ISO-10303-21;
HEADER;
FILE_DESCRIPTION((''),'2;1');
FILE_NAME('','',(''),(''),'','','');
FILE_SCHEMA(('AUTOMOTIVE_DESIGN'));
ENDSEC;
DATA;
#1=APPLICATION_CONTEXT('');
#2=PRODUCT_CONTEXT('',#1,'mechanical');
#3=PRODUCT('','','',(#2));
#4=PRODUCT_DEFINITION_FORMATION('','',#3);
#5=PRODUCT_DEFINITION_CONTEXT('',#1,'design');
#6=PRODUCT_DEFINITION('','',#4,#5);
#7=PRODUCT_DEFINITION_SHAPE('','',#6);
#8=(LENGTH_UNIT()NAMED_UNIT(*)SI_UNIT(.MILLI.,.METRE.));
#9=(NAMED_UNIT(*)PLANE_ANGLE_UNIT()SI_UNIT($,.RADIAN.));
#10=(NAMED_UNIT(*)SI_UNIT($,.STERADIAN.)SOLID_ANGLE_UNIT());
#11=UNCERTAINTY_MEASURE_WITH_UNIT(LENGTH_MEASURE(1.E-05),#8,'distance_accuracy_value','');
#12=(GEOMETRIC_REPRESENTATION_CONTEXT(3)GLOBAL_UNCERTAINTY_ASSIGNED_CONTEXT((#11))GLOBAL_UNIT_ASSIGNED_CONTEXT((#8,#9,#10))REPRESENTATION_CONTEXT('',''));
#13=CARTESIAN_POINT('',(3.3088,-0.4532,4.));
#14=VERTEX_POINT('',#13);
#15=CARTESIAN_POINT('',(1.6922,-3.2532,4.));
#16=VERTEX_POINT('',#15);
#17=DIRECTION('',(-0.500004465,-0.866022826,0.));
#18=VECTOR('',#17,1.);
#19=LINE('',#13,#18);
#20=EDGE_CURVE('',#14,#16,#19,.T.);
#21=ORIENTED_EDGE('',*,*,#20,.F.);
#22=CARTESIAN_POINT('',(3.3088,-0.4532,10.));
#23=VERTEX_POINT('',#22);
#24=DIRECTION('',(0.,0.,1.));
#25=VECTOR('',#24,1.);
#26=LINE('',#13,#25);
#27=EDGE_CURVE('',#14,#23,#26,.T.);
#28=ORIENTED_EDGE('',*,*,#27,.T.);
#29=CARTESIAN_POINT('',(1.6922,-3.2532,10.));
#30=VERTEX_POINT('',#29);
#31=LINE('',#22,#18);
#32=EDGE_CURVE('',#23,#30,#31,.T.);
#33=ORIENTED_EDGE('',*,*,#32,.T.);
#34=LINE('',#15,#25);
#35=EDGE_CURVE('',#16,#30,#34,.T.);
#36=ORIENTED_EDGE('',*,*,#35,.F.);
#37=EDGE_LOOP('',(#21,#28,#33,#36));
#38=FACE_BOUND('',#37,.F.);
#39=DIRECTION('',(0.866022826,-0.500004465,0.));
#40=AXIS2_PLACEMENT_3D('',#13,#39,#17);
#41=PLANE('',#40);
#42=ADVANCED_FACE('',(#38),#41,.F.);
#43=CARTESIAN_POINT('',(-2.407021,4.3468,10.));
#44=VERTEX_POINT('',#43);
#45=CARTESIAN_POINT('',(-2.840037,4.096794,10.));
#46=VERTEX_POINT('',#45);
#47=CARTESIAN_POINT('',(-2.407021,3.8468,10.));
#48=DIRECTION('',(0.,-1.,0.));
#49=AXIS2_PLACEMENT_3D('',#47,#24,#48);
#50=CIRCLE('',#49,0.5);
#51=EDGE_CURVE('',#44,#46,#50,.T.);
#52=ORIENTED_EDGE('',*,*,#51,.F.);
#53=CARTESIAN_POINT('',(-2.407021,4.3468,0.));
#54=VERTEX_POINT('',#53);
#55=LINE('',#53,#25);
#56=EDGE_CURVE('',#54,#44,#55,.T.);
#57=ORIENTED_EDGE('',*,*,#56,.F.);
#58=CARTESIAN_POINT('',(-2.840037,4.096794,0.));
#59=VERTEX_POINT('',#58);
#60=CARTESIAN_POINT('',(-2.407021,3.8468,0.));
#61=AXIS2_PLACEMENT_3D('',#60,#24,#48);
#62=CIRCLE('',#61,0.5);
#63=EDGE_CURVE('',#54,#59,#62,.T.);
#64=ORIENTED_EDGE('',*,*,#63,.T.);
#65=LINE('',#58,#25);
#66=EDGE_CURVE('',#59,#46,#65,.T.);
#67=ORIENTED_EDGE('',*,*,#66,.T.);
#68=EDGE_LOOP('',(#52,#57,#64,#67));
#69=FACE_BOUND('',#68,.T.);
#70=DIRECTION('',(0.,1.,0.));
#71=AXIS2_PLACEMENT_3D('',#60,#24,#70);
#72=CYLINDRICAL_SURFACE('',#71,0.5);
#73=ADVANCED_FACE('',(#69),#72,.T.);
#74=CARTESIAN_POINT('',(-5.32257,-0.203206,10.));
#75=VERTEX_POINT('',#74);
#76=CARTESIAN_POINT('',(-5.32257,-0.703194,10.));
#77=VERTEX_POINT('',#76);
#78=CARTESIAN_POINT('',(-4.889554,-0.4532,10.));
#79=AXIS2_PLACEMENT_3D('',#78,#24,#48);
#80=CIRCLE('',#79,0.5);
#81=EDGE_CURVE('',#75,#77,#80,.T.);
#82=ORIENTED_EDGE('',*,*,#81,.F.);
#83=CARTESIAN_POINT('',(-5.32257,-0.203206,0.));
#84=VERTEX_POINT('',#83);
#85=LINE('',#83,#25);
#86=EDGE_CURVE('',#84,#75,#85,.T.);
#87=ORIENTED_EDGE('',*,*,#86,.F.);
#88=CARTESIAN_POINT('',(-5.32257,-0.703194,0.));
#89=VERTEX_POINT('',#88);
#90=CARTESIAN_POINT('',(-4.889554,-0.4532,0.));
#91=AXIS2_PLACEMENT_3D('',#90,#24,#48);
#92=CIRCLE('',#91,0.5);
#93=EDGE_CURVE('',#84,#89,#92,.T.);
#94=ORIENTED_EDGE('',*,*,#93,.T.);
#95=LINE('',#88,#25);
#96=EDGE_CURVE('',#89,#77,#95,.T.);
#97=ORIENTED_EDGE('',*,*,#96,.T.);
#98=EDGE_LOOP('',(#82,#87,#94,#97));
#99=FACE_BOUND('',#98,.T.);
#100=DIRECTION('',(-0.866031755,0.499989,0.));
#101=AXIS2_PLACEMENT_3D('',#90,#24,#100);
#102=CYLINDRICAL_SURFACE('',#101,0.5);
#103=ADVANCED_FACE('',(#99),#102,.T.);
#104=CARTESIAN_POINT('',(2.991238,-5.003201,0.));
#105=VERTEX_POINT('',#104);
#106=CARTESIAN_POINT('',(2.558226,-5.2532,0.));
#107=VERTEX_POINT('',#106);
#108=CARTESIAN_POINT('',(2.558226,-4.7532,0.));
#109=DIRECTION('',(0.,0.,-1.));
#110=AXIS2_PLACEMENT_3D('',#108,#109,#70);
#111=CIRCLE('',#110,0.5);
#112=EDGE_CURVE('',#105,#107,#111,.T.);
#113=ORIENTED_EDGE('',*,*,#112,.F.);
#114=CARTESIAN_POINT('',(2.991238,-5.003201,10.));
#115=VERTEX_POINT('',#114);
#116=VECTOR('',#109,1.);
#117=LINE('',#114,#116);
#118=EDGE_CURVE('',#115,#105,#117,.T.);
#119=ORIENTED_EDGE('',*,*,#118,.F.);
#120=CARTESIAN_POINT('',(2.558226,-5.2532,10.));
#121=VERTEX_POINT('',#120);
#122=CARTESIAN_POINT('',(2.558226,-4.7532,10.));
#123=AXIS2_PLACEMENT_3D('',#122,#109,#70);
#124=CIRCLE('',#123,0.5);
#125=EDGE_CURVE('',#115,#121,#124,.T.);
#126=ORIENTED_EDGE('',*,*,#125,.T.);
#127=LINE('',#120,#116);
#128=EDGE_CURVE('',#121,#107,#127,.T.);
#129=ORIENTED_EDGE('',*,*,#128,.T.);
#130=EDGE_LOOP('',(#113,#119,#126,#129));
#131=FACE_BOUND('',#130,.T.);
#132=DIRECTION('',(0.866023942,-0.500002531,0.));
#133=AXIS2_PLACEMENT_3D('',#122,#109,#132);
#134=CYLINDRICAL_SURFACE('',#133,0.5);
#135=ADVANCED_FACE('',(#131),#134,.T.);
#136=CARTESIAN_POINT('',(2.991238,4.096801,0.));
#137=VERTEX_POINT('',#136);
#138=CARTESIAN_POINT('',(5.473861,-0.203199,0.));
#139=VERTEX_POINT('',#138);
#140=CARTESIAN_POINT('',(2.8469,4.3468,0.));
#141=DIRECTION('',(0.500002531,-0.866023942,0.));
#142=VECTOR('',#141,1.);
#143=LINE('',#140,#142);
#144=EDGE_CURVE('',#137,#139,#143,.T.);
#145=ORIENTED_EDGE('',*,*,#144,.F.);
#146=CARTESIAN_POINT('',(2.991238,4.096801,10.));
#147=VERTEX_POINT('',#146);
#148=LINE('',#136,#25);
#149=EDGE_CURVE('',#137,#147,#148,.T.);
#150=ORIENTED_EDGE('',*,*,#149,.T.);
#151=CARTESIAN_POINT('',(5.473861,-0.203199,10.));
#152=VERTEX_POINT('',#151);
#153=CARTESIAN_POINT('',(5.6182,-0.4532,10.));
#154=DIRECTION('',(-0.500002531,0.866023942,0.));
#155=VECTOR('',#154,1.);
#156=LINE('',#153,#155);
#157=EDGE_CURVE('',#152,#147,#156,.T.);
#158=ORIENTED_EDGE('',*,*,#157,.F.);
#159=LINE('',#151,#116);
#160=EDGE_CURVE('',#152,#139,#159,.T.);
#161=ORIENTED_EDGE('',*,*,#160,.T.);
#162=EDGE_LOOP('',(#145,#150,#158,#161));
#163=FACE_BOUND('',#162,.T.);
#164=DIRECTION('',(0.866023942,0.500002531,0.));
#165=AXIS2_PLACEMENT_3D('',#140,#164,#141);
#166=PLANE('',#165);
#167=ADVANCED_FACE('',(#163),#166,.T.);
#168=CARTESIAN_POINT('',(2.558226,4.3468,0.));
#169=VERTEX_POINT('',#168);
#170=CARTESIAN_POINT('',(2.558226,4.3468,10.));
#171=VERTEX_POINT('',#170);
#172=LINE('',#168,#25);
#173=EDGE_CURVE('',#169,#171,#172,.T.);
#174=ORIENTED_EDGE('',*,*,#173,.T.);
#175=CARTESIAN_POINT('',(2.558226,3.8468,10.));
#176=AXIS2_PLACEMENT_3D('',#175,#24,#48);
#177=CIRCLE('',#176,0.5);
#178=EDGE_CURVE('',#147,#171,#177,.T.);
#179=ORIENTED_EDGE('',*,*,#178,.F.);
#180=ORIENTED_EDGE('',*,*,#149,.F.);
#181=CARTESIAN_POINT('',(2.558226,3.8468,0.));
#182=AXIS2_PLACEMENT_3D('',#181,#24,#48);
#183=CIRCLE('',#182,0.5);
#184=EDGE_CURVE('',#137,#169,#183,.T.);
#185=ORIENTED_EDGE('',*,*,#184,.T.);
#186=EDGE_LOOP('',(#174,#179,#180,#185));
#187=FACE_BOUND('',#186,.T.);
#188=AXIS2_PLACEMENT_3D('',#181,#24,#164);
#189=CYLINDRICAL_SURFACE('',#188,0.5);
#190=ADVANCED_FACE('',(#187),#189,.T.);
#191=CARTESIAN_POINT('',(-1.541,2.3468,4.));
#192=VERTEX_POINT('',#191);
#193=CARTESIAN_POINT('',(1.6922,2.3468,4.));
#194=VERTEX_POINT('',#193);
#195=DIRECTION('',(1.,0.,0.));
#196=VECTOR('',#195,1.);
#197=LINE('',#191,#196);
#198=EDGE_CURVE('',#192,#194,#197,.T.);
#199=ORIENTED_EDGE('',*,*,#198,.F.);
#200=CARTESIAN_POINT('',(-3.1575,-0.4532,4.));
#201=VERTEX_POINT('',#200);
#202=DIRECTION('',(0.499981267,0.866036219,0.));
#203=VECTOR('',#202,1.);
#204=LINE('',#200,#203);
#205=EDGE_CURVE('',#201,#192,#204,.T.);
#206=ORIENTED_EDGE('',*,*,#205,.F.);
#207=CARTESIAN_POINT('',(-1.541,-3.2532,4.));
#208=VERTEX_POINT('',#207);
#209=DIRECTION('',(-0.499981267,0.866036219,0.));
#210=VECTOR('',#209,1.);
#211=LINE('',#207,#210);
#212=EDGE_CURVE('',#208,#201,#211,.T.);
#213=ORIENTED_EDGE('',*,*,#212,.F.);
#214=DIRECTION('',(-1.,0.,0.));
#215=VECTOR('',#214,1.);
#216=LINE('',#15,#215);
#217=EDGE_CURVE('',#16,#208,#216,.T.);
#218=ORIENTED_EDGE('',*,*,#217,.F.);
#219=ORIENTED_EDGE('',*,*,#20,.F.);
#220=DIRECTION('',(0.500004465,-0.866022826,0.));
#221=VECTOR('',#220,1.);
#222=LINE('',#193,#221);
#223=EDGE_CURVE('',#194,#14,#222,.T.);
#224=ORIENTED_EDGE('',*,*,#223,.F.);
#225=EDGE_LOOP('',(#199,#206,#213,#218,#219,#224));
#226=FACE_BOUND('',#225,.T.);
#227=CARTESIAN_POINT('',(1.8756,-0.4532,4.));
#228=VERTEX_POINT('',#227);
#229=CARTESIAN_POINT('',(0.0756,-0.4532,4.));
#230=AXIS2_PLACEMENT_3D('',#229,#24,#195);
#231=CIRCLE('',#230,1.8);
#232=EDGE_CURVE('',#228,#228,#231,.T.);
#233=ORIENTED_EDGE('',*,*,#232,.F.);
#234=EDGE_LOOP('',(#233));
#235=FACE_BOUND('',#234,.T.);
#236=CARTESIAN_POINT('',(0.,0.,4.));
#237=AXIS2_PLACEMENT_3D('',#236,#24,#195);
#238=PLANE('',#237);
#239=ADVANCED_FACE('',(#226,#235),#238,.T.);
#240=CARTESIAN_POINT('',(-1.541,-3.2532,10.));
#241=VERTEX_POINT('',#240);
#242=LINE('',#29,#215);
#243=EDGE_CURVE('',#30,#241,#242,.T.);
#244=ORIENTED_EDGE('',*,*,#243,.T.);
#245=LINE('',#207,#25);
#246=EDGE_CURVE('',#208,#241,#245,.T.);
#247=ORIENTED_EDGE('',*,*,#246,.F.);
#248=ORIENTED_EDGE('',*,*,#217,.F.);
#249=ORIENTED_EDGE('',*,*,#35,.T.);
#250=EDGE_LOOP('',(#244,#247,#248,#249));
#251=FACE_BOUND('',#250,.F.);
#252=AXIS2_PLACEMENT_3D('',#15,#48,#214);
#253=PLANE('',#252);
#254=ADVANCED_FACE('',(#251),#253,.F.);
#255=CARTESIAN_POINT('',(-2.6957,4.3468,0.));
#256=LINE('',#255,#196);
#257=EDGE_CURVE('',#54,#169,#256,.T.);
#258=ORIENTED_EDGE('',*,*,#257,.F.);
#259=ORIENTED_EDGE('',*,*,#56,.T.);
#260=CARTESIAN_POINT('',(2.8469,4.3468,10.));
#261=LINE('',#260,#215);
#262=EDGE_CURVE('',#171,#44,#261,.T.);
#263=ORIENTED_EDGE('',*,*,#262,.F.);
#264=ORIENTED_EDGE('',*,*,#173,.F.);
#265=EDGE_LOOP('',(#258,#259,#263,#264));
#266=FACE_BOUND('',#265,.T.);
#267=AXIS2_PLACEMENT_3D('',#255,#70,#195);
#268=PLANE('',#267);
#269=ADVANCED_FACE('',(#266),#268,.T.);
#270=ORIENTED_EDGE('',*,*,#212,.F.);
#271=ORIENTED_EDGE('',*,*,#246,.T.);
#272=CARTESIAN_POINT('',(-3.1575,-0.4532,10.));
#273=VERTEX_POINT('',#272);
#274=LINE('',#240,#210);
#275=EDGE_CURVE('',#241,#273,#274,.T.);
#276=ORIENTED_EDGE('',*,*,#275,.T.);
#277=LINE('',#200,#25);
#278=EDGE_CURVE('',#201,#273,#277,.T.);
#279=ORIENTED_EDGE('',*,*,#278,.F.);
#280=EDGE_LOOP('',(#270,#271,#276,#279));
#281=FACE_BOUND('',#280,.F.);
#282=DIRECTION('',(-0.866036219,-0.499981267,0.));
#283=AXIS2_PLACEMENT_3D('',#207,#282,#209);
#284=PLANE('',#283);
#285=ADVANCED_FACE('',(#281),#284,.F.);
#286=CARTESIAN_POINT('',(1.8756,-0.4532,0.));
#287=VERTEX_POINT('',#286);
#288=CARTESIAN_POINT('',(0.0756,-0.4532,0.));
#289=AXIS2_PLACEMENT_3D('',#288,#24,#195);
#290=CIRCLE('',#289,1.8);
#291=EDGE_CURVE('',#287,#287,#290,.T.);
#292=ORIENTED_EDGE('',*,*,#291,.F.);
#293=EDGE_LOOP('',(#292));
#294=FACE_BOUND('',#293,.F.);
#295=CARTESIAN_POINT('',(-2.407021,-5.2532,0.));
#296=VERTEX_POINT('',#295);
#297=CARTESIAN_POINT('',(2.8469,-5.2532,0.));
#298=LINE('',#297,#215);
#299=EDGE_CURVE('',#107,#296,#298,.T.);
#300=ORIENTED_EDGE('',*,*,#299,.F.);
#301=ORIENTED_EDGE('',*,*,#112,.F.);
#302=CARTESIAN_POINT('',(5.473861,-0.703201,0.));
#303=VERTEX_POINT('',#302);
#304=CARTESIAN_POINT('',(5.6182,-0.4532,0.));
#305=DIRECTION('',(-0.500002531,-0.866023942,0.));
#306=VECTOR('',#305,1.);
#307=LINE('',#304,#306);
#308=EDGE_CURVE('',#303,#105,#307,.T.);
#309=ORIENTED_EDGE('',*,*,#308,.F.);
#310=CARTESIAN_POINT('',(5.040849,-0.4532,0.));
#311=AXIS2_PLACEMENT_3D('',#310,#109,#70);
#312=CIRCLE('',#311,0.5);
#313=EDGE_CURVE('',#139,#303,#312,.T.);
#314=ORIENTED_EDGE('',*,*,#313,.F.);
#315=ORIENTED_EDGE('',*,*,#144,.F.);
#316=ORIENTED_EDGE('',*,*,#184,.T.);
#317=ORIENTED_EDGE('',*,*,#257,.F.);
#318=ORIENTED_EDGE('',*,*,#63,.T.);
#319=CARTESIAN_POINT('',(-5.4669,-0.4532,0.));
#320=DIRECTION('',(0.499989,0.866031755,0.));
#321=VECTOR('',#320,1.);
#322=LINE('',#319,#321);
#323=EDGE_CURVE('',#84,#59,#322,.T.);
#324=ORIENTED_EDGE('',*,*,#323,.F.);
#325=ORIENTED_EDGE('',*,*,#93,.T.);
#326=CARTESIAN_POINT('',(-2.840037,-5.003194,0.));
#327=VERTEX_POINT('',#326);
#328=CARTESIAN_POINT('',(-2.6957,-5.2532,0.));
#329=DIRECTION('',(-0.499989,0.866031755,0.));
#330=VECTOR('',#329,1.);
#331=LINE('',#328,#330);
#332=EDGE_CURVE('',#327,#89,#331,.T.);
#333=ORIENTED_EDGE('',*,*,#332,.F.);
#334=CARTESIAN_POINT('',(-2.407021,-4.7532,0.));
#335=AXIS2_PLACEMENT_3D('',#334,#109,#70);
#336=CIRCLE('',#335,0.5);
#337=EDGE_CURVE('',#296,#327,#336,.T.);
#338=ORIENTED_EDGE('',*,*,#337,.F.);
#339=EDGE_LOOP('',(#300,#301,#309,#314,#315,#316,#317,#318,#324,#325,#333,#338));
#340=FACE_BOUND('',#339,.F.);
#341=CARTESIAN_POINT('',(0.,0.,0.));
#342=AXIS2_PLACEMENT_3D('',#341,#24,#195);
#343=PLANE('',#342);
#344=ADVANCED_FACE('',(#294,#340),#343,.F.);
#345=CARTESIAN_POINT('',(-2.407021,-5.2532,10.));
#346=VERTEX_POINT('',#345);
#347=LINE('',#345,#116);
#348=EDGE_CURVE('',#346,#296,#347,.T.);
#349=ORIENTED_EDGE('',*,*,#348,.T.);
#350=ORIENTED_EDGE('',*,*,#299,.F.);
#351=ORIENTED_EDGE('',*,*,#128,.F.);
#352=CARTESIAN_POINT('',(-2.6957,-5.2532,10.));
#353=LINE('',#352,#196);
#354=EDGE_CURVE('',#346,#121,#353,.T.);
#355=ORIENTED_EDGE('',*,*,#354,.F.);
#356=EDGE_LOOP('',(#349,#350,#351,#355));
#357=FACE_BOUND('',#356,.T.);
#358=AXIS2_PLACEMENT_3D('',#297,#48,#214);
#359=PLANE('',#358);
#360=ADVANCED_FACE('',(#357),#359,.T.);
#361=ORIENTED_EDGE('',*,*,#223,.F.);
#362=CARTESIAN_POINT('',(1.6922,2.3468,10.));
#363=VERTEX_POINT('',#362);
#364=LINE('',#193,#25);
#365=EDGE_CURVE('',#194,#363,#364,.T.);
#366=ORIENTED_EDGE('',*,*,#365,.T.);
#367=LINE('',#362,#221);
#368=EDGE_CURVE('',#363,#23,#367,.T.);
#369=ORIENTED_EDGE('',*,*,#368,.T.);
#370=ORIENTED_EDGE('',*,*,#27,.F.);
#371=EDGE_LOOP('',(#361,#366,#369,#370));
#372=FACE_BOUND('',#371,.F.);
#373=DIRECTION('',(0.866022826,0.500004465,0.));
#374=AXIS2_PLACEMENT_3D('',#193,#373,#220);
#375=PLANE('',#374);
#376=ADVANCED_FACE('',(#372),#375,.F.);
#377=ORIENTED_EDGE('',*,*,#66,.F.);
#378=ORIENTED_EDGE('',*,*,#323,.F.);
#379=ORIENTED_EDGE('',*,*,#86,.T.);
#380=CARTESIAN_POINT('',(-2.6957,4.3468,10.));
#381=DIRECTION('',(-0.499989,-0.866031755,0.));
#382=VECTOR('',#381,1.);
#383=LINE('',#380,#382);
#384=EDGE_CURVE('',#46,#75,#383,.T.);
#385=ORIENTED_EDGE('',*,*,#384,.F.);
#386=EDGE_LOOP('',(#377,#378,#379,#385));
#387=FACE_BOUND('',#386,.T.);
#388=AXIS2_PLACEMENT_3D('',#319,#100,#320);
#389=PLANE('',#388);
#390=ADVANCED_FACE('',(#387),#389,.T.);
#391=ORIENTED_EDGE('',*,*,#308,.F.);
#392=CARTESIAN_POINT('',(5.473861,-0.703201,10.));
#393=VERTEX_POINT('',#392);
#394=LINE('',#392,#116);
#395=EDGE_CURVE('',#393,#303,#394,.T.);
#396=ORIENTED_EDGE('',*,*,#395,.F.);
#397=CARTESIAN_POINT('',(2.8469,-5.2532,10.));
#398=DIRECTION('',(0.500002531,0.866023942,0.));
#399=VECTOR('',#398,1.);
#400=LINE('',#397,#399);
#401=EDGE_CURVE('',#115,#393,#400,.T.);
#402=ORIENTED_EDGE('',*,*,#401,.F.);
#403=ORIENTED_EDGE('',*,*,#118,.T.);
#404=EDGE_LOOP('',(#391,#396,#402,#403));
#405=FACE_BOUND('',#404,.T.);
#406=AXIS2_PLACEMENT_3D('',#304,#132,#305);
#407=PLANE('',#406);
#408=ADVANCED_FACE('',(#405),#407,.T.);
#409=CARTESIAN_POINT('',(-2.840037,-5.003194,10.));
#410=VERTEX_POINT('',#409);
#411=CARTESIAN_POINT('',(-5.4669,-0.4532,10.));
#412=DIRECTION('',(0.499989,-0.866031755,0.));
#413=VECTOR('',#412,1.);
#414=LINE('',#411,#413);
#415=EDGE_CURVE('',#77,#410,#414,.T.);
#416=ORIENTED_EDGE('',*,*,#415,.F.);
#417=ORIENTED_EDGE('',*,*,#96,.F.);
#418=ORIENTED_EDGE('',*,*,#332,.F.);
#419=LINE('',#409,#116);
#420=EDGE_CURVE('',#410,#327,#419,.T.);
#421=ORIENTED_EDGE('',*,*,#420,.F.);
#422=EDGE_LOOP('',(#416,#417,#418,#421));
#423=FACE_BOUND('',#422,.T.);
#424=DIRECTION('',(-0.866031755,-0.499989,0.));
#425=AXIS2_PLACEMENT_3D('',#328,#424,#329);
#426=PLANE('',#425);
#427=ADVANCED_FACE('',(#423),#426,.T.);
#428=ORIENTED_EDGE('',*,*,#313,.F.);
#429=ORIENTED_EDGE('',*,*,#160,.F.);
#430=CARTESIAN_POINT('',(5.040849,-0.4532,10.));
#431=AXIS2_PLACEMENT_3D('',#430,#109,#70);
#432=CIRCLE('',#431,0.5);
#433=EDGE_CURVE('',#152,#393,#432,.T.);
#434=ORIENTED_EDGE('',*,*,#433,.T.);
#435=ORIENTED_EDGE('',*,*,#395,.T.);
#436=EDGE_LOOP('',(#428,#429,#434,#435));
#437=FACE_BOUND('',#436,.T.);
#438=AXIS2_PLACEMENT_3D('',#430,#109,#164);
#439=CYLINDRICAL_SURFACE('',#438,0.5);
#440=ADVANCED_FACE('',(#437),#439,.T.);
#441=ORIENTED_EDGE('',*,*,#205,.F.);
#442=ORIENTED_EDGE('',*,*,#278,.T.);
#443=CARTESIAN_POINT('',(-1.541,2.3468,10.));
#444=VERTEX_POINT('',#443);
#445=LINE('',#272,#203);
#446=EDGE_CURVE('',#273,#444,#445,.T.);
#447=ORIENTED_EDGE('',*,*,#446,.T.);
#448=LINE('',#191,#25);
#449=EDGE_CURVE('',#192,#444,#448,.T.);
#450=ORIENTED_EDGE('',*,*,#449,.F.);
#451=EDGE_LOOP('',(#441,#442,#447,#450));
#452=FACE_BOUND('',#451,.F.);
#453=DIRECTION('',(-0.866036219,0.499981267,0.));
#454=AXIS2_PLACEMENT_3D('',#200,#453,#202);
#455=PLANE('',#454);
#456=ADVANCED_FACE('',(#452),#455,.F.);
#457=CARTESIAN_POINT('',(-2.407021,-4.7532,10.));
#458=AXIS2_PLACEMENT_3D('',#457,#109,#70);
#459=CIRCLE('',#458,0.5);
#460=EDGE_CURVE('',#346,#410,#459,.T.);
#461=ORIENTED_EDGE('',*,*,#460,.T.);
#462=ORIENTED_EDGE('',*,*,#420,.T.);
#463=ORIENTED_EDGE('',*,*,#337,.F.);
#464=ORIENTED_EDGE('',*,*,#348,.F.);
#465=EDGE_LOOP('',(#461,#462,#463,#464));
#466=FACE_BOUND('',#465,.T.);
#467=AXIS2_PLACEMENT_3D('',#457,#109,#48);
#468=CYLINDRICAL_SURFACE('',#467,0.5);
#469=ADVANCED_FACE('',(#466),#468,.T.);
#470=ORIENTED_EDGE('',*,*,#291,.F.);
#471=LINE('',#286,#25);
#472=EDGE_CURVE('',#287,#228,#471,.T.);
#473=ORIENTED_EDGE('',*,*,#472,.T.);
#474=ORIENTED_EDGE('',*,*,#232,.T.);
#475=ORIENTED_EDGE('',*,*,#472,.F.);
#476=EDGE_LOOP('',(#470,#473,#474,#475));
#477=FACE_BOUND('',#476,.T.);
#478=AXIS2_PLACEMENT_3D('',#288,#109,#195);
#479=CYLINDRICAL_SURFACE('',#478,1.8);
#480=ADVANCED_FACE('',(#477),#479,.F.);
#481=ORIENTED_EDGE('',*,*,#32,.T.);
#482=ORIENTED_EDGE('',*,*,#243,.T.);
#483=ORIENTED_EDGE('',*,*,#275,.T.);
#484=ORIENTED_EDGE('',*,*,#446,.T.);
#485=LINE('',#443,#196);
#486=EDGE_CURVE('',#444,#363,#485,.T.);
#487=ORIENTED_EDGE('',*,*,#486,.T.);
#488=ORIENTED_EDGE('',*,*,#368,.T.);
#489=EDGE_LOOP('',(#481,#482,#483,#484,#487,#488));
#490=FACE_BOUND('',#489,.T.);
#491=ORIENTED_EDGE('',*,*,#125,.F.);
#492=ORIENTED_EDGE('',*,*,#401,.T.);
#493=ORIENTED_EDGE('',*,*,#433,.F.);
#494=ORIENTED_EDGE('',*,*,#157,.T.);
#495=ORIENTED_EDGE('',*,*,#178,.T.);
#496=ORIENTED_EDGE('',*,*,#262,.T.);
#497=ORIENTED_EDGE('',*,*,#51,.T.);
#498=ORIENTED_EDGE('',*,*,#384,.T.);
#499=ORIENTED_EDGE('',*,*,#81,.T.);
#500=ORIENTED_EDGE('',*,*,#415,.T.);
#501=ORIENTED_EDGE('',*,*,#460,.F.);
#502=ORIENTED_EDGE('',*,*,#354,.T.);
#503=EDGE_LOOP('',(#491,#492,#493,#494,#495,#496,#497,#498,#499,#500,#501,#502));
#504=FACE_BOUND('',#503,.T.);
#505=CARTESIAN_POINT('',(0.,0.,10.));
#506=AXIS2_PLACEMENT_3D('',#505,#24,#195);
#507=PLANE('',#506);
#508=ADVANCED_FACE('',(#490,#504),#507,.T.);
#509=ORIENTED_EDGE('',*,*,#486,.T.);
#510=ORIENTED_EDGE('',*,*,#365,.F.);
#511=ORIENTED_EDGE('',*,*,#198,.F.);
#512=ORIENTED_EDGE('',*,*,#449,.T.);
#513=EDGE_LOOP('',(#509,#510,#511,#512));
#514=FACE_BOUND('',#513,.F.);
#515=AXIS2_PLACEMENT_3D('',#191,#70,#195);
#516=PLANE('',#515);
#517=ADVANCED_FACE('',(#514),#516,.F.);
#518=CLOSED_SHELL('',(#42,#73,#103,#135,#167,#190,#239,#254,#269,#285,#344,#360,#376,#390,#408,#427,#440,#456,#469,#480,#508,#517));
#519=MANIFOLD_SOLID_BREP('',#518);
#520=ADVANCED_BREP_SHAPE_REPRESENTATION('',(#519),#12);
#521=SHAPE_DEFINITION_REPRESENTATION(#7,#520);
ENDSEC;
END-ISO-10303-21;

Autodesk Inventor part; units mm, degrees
ref_plane "YZ Plane" through (0, 0, 0) normal (1, 0, 0) x (0, 1, 0)
ref_plane "XZ Plane" through (0, 0, 0) normal (0, 1, 0) x (-1, 0, 0)
ref_plane "XY Plane" through (0, 0, 0) normal (0, 0, 1) x (1, 0, 0)
sketch "Sketch1" plane through (0, 0, 0) normal (0, 0, 1) x (1, 0, 0)
  circle A0 centre (0.0756, -0.4532) radius 1.5 projected
  circle A1 centre (0.0756, -0.4532) radius 1.7 projected
  circle A2 centre (0.0756, -0.4532) radius 1.7 projected
  circle A3 centre (0.0756, -0.4532) radius 1.8
  line L0 (2.8469, 4.3468) -> (5.6182, -0.4532)
  line L1 (5.6182, -0.4532) -> (2.8469, -5.2532)
  line L2 (2.8469, -5.2532) -> (-2.6957, -5.2532)
  line L3 (-2.6957, -5.2532) -> (-5.4669, -0.4532)
  line L4 (-5.4669, -0.4532) -> (-2.6957, 4.3468)
  line L5 (-2.6957, 4.3468) -> (2.8469, 4.3468)
  line L6 (-1.558, 1.3468) -> (2.6621, 1.3468) construction
  point P0 (0, 0)
  dimension "d0" = 0.1
  dimension "d1" = 3
extrude "Extrusion1" add sketch "Sketch1" along normal blind 4 contours L0 L1 L2 L3 L4 L5
sketch "Sketch2" plane through (0, 0, 4) normal (0, 0, 1) x (1, 0, 0)
  line L0 (-2.6957, 4.3468) -> (-5.4669, -0.4532) projected
  line L1 (-5.4669, -0.4532) -> (-2.6957, -5.2532) projected
  line L2 (-2.6957, -5.2532) -> (2.8469, -5.2532) projected
  line L3 (2.8469, -5.2532) -> (5.6182, -0.4532) projected
  line L4 (5.6182, -0.4532) -> (2.8469, 4.3468) projected
  line L5 (2.8469, 4.3468) -> (-2.6957, 4.3468) projected
  circle A0 centre (0.0756, -0.4532) radius 1.8 projected
  line L6 (-3.1575, -0.4532) -> (-1.541, 2.3468)
  line L7 (-1.541, 2.3468) -> (1.6922, 2.3468)
  line L8 (1.6922, 2.3468) -> (3.3088, -0.4532)
  line L9 (3.3088, -0.4532) -> (1.6922, -3.2532)
  line L10 (1.6922, -3.2532) -> (-1.541, -3.2532)
  line L11 (-1.541, -3.2532) -> (-3.1575, -0.4532)
  point P0 (0, 0)
  dimension "d4" = 2
extrude "Extrusion2" add sketch "Sketch2" along normal blind 6 contours L5 L4 L3 L2 L1 L0
fillet "Fillet1" radius 0.5 6 edges at (-5.4669, -0.4532, 5) (-2.6957, 4.3468, 5) (2.8469, 4.3468, 5) (5.6182, -0.4532, 5) (-2.6957, -5.2532, 5) (2.8469, -5.2532, 5)
thread "Thread1" size "M3x0.5" class "6H" standard "ANSI Metric M Profile" full length
properties part number "TurretTighteningNut"
